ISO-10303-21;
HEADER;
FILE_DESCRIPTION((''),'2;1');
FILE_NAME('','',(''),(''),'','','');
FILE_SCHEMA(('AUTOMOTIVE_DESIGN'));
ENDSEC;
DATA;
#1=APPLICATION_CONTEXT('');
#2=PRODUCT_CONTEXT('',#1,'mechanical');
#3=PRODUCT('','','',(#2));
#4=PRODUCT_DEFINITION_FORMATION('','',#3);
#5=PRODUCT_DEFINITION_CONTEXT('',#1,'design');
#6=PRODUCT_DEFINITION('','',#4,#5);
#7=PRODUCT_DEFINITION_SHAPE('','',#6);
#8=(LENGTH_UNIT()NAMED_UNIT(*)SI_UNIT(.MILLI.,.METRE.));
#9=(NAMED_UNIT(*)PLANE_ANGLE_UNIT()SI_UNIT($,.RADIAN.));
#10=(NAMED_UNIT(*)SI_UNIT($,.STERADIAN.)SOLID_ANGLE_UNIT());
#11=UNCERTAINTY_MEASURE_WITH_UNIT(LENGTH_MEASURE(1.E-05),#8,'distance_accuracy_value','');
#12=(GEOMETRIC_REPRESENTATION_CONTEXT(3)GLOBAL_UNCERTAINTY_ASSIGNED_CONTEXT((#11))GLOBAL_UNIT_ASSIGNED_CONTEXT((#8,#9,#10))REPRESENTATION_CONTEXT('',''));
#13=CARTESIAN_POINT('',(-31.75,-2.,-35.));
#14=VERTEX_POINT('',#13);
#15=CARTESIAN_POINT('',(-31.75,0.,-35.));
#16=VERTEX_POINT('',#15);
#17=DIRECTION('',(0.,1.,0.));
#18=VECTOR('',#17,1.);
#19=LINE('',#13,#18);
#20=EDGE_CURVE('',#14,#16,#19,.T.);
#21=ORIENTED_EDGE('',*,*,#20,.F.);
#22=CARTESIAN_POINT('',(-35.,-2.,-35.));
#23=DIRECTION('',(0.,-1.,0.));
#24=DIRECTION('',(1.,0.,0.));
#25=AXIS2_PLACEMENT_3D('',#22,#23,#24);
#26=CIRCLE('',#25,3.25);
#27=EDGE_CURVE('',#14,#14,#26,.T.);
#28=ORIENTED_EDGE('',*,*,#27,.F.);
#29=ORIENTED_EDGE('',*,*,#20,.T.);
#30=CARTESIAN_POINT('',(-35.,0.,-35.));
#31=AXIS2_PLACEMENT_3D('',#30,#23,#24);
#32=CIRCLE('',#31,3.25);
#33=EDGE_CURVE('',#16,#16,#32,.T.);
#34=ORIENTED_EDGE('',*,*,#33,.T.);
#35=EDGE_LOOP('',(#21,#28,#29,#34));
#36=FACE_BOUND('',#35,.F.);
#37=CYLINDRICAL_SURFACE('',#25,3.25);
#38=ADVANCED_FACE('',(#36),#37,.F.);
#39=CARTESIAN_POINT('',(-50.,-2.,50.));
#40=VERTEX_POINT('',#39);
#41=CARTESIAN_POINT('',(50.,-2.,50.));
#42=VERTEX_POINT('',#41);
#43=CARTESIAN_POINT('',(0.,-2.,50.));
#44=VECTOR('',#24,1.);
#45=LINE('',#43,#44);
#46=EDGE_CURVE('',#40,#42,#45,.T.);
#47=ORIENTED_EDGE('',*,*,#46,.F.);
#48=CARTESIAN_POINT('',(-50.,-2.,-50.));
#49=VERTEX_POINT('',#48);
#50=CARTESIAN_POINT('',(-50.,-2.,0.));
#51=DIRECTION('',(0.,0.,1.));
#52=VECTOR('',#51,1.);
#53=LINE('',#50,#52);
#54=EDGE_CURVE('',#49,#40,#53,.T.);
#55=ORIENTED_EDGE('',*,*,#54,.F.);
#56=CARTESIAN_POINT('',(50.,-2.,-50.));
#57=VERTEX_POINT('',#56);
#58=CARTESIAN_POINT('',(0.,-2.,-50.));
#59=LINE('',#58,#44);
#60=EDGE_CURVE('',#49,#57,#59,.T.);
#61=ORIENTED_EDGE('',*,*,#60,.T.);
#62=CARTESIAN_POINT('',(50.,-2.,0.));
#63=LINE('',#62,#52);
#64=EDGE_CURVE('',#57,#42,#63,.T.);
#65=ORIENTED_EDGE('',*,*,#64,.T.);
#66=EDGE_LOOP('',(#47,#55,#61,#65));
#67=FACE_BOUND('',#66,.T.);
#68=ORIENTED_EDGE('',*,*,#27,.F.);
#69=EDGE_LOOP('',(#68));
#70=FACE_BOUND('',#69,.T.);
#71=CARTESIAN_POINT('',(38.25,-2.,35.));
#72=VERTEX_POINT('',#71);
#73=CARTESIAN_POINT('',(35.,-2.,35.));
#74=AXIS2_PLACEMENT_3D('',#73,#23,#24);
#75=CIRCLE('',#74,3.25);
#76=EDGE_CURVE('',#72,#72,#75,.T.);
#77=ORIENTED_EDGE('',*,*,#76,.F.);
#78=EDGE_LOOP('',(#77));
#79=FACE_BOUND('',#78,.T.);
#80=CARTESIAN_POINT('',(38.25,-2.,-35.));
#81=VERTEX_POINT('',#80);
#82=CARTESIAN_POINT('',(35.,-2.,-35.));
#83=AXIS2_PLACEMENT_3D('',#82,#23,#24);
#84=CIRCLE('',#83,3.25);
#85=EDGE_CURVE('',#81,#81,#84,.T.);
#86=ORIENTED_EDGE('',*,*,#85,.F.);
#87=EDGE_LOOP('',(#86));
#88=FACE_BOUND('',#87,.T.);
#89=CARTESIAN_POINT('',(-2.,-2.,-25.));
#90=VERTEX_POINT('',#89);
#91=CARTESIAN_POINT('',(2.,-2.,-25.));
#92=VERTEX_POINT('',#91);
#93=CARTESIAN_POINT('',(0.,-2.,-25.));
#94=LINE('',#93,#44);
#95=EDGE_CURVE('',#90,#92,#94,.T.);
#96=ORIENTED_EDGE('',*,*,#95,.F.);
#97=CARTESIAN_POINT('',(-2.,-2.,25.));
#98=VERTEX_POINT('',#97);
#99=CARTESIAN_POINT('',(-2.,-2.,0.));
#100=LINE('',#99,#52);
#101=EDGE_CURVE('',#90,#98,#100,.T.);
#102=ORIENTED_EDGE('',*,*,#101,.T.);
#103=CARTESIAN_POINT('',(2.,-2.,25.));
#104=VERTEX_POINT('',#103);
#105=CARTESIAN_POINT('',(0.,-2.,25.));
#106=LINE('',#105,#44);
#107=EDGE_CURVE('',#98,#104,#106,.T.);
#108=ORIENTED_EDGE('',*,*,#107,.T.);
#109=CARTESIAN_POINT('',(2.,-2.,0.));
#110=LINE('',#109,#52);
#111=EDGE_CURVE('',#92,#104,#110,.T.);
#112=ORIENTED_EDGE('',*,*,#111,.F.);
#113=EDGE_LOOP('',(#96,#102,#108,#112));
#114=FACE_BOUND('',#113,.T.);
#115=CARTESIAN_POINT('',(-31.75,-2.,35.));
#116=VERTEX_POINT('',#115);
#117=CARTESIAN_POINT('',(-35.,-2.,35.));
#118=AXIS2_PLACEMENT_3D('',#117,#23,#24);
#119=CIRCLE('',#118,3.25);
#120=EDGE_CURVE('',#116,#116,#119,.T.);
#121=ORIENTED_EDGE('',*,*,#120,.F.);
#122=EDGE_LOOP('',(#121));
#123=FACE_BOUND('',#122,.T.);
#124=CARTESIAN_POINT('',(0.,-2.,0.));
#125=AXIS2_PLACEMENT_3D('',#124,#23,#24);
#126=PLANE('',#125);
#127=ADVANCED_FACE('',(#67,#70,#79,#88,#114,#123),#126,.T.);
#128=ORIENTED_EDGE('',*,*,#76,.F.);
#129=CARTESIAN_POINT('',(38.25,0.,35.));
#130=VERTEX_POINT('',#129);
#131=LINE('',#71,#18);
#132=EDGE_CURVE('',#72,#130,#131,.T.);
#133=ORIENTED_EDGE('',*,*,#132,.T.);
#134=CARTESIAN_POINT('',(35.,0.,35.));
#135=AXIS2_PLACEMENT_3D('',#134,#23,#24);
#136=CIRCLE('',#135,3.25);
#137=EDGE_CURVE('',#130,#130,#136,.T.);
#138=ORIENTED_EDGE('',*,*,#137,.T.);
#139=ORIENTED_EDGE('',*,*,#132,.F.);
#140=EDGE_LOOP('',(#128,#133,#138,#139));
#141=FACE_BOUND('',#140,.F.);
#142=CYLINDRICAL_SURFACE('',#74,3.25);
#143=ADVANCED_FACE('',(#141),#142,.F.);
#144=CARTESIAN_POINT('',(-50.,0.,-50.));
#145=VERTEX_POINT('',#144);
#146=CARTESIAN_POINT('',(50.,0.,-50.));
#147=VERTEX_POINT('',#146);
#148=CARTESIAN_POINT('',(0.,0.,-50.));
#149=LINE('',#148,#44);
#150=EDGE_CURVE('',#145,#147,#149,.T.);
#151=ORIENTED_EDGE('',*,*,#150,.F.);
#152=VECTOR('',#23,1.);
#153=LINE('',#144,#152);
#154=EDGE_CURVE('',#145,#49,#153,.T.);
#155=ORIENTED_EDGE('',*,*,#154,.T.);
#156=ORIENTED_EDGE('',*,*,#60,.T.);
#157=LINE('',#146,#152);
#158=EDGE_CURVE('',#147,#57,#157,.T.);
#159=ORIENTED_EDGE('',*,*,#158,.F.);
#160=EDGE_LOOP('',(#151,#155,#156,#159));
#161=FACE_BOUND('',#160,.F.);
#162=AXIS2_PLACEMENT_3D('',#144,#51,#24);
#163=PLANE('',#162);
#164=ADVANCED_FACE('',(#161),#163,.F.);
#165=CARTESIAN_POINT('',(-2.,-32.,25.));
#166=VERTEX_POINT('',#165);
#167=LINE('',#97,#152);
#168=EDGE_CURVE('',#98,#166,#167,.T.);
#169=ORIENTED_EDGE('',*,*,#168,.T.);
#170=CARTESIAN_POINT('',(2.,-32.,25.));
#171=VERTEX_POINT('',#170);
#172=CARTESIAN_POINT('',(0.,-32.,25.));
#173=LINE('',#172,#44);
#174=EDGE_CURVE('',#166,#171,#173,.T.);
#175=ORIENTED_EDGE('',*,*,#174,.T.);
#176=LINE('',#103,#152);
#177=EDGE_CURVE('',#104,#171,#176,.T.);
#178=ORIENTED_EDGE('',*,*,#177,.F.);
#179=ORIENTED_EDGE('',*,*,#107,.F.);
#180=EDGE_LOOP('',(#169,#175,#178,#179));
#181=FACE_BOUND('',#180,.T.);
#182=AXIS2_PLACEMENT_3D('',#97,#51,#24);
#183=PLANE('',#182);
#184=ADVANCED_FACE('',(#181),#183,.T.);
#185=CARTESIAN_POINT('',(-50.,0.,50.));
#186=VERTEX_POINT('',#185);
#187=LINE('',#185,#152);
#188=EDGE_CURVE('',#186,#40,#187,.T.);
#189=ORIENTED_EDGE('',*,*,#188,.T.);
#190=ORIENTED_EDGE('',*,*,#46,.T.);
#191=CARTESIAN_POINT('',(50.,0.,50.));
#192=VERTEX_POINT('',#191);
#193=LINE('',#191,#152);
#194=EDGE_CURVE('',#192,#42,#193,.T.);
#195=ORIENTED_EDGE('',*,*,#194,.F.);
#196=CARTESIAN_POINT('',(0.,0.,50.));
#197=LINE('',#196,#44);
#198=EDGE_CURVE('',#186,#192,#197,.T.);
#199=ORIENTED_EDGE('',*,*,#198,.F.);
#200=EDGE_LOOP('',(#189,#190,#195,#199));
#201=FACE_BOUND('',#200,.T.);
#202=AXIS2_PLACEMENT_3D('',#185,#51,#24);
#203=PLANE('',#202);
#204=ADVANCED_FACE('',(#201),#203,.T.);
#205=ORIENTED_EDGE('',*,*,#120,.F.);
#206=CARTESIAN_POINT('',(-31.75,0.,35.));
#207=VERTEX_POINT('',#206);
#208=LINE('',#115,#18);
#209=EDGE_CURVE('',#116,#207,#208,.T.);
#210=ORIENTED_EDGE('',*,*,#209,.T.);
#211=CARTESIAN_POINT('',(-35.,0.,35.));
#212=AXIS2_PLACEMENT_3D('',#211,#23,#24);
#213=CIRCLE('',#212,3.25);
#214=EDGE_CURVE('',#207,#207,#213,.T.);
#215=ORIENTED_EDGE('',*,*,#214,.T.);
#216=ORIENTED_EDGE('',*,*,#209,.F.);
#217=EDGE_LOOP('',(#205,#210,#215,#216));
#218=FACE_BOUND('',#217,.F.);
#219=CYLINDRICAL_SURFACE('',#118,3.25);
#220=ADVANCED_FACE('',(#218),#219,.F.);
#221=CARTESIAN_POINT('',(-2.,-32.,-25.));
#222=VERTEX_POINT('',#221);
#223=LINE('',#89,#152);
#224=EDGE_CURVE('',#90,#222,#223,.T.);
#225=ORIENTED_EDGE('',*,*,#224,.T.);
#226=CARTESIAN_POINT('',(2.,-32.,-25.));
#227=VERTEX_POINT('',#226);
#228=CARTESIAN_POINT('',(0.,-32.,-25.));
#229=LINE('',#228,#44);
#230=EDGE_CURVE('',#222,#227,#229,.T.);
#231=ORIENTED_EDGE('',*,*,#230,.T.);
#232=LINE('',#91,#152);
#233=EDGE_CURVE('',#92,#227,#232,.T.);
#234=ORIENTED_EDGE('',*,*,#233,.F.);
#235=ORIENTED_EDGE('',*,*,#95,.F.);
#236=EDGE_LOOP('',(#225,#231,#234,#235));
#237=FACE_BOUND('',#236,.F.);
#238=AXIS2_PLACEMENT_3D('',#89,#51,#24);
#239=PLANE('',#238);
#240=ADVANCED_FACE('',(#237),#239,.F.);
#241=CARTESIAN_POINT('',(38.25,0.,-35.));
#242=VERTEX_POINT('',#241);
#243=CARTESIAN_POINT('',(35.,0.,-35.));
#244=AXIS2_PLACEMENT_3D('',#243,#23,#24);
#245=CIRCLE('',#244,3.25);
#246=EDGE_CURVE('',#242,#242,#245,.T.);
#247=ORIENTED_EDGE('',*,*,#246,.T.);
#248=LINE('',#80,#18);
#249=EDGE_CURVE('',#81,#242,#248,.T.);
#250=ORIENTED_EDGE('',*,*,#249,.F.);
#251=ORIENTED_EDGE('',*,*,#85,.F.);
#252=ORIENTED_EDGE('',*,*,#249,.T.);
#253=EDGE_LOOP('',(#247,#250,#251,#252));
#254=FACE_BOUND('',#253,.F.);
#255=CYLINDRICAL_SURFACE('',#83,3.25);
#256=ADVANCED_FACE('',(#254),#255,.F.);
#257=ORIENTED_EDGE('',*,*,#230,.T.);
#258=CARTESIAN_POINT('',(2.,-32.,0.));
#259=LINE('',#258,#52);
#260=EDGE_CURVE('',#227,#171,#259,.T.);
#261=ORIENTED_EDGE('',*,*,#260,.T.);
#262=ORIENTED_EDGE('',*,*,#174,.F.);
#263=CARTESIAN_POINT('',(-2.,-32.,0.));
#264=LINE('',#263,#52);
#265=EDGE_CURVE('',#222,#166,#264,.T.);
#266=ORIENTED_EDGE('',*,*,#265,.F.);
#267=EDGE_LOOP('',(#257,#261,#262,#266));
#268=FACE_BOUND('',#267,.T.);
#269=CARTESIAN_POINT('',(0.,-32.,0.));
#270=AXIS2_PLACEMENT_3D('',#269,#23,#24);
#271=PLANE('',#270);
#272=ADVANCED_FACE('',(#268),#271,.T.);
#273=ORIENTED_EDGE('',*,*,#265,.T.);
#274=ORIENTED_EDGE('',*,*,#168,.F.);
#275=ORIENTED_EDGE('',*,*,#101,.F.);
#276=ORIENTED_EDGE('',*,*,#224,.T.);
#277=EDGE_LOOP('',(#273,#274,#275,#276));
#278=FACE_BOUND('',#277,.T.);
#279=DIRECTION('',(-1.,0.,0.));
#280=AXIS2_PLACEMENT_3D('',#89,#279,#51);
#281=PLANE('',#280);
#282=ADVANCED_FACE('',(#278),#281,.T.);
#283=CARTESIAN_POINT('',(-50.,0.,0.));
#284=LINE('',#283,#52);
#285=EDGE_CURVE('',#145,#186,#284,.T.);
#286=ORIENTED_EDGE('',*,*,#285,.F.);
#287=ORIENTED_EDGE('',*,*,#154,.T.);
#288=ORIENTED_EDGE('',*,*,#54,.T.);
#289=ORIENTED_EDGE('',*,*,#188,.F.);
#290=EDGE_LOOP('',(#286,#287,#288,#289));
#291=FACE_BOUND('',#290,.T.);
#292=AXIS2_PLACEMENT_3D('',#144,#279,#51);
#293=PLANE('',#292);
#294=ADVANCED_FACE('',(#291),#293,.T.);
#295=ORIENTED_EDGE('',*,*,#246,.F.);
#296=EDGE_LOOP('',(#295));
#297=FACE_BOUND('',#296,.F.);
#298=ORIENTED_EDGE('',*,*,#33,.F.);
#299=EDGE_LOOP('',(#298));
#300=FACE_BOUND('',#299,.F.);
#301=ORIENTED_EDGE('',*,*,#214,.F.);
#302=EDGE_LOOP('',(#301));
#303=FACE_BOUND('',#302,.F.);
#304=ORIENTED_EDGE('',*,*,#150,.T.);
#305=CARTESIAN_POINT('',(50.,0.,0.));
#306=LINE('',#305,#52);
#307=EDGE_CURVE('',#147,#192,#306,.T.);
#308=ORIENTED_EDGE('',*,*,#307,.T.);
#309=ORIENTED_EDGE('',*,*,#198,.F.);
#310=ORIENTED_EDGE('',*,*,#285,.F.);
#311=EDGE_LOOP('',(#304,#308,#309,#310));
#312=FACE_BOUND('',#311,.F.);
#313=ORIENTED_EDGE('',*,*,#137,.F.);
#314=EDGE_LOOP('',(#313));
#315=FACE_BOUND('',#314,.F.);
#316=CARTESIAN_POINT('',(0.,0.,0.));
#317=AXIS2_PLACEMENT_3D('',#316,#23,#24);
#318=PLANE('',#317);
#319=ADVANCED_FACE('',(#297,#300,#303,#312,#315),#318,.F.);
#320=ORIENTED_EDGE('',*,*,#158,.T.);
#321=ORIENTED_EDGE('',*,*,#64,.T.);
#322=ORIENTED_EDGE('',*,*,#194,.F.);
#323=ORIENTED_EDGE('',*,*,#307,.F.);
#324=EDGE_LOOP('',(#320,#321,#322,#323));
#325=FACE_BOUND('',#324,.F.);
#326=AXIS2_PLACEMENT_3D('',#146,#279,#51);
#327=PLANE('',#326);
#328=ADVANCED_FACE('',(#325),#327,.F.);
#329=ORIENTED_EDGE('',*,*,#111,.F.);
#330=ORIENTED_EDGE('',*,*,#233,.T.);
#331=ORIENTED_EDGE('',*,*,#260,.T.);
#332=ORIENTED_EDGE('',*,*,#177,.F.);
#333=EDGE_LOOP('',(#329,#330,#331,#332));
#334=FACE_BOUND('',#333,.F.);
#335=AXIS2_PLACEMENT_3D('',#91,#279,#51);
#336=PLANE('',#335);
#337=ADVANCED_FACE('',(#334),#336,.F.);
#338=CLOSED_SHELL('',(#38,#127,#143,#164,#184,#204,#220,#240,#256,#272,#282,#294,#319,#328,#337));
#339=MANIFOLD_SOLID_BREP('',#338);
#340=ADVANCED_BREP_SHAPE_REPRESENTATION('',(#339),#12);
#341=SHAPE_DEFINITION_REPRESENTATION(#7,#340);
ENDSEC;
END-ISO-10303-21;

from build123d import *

# Parameters (mm, degrees)
F0_W     = 100
F0_H     = 100
F1_DEPTH = 2
F2_R     = 3.25
F3_DEPTH = 2.001
F4_W     = 4
F4_H     = 50
F5_DEPTH = 30


with BuildPart() as f1:
    # F0 (on Front) → F1 (new body)
    with BuildSketch(Plane.XZ):
        Rectangle(F0_W, F0_H)
    extrude(amount=F1_DEPTH)

    # F2 (on face) → F3 (cut, through all)
    with BuildSketch(Plane.XZ.offset(2)):
        with Locations((-35, 35)):
            Circle(F2_R)
        with Locations((35, 35)):
            Circle(F2_R)
        with Locations((-35, -35)):
            Circle(F2_R)
        with Locations((35, -35)):
            Circle(F2_R)
    extrude(amount=-F3_DEPTH, mode=Mode.SUBTRACT)

    # F4 (on face) → F5 (join)
    with BuildSketch(Plane.XZ.offset(2)):
        Rectangle(F4_W, F4_H)
    extrude(amount=F5_DEPTH)


solid = f1.part
